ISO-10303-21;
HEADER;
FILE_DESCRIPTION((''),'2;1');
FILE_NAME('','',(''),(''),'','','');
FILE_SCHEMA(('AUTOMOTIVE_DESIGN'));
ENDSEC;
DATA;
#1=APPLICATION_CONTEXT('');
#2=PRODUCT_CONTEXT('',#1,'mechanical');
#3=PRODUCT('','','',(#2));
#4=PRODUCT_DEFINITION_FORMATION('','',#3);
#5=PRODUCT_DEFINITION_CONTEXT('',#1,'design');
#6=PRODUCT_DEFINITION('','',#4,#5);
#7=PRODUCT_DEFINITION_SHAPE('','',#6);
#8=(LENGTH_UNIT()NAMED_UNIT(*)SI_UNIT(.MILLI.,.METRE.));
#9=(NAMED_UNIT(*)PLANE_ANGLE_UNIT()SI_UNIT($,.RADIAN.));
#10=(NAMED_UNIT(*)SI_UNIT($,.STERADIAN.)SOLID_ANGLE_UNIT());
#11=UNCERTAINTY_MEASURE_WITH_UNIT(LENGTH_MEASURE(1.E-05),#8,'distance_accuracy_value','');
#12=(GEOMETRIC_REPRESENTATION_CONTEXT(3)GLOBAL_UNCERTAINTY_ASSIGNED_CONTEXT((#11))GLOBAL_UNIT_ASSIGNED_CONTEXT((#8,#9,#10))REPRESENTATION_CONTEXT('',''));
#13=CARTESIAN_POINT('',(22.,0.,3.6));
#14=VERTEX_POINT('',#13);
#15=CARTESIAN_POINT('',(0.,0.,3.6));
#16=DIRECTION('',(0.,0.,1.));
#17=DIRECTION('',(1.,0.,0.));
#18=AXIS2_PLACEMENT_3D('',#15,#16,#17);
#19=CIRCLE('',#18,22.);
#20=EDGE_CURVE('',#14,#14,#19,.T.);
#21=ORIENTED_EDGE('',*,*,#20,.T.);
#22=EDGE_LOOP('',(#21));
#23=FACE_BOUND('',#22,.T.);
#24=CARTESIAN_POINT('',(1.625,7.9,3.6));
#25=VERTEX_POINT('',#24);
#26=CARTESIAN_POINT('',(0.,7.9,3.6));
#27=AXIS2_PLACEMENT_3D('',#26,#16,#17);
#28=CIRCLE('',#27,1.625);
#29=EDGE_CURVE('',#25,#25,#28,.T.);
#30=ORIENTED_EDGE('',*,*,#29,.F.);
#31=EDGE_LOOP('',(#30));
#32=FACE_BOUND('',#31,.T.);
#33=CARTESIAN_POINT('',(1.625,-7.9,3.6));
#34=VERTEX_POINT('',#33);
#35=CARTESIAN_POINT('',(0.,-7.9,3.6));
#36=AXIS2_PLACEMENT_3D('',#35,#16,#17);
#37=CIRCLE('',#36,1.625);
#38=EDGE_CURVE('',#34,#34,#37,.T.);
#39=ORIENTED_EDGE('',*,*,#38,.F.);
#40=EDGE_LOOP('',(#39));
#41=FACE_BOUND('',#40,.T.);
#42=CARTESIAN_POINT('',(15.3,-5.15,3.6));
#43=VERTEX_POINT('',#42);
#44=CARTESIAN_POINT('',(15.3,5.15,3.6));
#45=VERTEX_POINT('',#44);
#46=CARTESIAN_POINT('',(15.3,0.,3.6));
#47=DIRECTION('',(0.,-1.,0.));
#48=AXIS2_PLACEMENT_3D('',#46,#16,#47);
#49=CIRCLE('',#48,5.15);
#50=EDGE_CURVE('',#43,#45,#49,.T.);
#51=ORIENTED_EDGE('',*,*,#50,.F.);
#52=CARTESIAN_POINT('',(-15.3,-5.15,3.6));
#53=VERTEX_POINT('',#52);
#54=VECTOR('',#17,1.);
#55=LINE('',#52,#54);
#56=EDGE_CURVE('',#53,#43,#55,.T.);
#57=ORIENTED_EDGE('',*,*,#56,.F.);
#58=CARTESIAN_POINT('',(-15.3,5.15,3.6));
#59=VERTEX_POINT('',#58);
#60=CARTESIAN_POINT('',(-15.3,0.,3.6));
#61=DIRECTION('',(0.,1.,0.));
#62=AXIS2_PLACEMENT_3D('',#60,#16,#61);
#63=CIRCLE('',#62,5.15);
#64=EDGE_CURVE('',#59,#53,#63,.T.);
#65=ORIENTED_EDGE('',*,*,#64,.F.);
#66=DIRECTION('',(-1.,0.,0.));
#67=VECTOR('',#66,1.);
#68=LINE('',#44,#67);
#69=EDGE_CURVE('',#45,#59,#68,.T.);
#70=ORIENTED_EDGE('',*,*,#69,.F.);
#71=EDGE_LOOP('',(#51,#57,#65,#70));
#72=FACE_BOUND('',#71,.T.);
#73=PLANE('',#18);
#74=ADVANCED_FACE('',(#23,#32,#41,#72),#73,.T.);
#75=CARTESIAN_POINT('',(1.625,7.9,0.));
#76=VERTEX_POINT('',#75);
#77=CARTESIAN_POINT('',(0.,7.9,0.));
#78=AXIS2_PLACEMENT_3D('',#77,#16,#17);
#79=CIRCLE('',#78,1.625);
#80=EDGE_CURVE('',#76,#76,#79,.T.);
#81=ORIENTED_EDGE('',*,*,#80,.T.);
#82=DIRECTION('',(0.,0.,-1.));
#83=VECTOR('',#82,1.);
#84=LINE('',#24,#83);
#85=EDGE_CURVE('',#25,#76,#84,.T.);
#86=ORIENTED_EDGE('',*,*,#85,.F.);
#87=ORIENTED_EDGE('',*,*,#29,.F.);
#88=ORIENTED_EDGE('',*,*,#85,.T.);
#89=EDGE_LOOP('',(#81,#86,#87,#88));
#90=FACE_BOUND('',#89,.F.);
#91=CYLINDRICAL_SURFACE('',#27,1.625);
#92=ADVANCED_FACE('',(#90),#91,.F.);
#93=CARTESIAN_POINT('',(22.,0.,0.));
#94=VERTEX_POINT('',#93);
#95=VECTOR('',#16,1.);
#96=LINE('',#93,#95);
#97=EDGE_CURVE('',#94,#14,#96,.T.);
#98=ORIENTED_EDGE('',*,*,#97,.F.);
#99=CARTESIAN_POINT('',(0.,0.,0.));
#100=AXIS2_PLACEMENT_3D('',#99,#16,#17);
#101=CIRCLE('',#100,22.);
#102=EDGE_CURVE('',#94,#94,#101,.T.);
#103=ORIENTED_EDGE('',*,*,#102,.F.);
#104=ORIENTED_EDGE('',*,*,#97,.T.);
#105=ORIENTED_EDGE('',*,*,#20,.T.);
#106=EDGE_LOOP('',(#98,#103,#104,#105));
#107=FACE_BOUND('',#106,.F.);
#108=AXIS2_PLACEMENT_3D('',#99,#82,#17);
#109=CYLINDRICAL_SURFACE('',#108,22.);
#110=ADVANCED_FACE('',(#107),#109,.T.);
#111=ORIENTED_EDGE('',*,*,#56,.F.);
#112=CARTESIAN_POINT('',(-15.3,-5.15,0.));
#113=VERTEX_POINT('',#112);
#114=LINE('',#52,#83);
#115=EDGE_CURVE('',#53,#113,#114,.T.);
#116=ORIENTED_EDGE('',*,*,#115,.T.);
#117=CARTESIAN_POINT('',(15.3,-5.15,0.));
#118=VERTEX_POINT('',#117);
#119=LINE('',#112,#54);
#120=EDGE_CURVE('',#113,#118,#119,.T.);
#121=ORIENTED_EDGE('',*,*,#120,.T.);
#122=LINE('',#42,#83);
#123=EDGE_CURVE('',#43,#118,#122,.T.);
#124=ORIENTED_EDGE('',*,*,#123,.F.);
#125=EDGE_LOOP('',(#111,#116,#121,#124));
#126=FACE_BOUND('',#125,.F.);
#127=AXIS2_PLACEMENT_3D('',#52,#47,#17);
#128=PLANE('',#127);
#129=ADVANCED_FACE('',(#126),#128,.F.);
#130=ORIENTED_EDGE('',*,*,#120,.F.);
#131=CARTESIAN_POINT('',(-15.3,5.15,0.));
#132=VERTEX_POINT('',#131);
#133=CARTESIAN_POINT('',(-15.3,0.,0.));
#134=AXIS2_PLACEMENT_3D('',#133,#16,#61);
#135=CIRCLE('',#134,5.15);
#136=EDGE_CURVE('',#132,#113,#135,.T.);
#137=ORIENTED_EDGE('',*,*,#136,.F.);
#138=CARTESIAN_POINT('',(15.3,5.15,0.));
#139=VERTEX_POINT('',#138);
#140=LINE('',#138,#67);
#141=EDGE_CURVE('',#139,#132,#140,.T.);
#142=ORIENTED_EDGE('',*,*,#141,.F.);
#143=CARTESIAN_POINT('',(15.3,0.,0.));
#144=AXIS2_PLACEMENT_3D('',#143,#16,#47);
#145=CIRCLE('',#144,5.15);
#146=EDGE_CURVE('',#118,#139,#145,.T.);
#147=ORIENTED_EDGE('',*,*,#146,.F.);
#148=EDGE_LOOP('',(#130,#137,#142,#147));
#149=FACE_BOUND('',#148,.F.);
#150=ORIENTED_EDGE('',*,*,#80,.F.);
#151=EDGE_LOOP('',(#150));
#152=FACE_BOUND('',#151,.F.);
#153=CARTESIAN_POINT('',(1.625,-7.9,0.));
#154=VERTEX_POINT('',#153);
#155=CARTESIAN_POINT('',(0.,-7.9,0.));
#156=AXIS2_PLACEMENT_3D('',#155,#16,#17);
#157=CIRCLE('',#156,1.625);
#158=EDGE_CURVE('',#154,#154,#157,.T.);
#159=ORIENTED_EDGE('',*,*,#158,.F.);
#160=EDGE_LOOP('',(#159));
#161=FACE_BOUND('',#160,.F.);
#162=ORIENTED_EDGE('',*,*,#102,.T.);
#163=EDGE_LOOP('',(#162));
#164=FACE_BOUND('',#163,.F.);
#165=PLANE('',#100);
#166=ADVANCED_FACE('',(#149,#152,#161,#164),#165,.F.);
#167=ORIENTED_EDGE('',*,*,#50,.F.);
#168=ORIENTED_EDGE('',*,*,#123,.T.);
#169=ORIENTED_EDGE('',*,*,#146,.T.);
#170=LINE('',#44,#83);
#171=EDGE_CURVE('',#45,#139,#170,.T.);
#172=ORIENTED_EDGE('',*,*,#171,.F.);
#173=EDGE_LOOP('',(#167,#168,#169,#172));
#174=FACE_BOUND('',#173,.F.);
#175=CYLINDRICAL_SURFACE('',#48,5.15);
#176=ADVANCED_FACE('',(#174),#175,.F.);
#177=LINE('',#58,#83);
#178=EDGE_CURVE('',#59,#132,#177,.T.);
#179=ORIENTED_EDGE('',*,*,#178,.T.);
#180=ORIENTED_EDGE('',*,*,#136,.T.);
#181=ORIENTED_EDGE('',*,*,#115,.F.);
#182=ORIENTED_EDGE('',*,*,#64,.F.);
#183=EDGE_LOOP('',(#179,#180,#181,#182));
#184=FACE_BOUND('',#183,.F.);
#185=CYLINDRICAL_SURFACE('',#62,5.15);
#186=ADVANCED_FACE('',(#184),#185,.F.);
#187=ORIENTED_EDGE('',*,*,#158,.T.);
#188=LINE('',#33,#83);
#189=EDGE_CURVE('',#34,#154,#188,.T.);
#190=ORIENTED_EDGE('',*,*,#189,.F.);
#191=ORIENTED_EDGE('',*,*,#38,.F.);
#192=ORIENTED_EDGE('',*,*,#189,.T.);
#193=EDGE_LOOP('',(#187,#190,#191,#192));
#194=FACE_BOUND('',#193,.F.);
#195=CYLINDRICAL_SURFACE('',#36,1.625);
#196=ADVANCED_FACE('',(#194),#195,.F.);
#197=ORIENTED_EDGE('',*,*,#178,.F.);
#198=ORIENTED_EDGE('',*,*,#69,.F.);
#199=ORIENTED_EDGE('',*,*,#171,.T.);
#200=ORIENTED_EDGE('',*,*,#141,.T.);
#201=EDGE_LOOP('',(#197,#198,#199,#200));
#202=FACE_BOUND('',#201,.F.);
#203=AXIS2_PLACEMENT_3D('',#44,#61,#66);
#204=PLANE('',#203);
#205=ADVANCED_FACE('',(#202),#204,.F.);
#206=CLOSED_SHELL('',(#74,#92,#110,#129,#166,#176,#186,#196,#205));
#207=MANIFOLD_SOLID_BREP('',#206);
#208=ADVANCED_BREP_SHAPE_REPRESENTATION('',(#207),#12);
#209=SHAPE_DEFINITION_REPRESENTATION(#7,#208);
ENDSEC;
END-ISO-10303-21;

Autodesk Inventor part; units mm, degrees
ref_plane "YZ Plane" through (0, 0, 0) normal (1, 0, 0) x (0, 1, 0)
ref_plane "XZ Plane" through (0, 0, 0) normal (0, 1, 0) x (-1, 0, 0)
ref_plane "XY Plane" through (0, 0, 0) normal (0, 0, 1) x (1, 0, 0)
sketch "Sketch1" plane through (0, 0, 0) normal (0, 0, 1) x (1, 0, 0)
  circle A0 centre (0, 0) radius 22
  dimension "d0" = 44
extrude "Extrusion1" add sketch "Sketch1" along normal blind 3.6
sketch "Sketch2" plane through (0, 0, 3.6) normal (0, 0, 1) x (1, 0, 0)
  line L0 (15.3, 0) -> (-15.3, 0) construction
  line L1 (15.3, 5.15) -> (-15.3, 5.15)
  line L2 (-15.3, -5.15) -> (15.3, -5.15)
  arc A0 (15.3, -5.15) -> (15.3, 5.15) centre (15.3, 0) ccw
  arc A1 (-15.3, 5.15) -> (-15.3, -5.15) centre (-15.3, 0) ccw
  point P0 (0, 0)
  dimension "d3" = 15.3
  dimension "d4" = 10.3
extrude "Extrusion2" cut sketch "Sketch2" against normal blind 3.6
sketch "Sketch3" plane through (0, 0, 3.6) normal (0, 0, 1) x (1, 0, 0)
  line L0 (-2.6, 9.8) -> (2.6, 9.8)
  line L1 (2.6, 9.8) -> (2.6, 6)
  line L2 (2.6, 6) -> (-2.6, 6)
  line L3 (-2.6, 6) -> (-2.6, 9.8)
  line L4 (-2.6, 9.8) -> (2.6, 6) construction
  line L5 (2.6, 9.8) -> (-2.6, 6) construction
  line L6 (-30.8, 0) -> (30.8, 0) projected
  line L7 (-30.8, 0) -> (30.8, 0) projected
  line L8 (-2.6, -9.8) -> (2.6, -9.8)
  line L9 (2.6, -9.8) -> (2.6, -6)
  line L10 (2.6, -6) -> (-2.6, -6)
  line L11 (-2.6, -6) -> (-2.6, -9.8)
  line L12 (-2.6, -9.8) -> (2.6, -6) construction
  line L13 (2.6, -9.8) -> (-2.6, -6) construction
  circle A0 centre (0, -7.9) radius 1.625
  circle A1 centre (0, 7.9) radius 1.625
  point P0 (0, 0)
  dimension "d7" = 5.2
  dimension "d8" = 3.8
  dimension "d9" = 6
  dimension "d10" = 6
  dimension "d13" = 0
  dimension "d14" = 3.25
  dimension "d15" = 3.25
extrude "Extrusion3" cut sketch "Sketch3" against normal blind 10 contours A0 | A1
properties part number "1"
